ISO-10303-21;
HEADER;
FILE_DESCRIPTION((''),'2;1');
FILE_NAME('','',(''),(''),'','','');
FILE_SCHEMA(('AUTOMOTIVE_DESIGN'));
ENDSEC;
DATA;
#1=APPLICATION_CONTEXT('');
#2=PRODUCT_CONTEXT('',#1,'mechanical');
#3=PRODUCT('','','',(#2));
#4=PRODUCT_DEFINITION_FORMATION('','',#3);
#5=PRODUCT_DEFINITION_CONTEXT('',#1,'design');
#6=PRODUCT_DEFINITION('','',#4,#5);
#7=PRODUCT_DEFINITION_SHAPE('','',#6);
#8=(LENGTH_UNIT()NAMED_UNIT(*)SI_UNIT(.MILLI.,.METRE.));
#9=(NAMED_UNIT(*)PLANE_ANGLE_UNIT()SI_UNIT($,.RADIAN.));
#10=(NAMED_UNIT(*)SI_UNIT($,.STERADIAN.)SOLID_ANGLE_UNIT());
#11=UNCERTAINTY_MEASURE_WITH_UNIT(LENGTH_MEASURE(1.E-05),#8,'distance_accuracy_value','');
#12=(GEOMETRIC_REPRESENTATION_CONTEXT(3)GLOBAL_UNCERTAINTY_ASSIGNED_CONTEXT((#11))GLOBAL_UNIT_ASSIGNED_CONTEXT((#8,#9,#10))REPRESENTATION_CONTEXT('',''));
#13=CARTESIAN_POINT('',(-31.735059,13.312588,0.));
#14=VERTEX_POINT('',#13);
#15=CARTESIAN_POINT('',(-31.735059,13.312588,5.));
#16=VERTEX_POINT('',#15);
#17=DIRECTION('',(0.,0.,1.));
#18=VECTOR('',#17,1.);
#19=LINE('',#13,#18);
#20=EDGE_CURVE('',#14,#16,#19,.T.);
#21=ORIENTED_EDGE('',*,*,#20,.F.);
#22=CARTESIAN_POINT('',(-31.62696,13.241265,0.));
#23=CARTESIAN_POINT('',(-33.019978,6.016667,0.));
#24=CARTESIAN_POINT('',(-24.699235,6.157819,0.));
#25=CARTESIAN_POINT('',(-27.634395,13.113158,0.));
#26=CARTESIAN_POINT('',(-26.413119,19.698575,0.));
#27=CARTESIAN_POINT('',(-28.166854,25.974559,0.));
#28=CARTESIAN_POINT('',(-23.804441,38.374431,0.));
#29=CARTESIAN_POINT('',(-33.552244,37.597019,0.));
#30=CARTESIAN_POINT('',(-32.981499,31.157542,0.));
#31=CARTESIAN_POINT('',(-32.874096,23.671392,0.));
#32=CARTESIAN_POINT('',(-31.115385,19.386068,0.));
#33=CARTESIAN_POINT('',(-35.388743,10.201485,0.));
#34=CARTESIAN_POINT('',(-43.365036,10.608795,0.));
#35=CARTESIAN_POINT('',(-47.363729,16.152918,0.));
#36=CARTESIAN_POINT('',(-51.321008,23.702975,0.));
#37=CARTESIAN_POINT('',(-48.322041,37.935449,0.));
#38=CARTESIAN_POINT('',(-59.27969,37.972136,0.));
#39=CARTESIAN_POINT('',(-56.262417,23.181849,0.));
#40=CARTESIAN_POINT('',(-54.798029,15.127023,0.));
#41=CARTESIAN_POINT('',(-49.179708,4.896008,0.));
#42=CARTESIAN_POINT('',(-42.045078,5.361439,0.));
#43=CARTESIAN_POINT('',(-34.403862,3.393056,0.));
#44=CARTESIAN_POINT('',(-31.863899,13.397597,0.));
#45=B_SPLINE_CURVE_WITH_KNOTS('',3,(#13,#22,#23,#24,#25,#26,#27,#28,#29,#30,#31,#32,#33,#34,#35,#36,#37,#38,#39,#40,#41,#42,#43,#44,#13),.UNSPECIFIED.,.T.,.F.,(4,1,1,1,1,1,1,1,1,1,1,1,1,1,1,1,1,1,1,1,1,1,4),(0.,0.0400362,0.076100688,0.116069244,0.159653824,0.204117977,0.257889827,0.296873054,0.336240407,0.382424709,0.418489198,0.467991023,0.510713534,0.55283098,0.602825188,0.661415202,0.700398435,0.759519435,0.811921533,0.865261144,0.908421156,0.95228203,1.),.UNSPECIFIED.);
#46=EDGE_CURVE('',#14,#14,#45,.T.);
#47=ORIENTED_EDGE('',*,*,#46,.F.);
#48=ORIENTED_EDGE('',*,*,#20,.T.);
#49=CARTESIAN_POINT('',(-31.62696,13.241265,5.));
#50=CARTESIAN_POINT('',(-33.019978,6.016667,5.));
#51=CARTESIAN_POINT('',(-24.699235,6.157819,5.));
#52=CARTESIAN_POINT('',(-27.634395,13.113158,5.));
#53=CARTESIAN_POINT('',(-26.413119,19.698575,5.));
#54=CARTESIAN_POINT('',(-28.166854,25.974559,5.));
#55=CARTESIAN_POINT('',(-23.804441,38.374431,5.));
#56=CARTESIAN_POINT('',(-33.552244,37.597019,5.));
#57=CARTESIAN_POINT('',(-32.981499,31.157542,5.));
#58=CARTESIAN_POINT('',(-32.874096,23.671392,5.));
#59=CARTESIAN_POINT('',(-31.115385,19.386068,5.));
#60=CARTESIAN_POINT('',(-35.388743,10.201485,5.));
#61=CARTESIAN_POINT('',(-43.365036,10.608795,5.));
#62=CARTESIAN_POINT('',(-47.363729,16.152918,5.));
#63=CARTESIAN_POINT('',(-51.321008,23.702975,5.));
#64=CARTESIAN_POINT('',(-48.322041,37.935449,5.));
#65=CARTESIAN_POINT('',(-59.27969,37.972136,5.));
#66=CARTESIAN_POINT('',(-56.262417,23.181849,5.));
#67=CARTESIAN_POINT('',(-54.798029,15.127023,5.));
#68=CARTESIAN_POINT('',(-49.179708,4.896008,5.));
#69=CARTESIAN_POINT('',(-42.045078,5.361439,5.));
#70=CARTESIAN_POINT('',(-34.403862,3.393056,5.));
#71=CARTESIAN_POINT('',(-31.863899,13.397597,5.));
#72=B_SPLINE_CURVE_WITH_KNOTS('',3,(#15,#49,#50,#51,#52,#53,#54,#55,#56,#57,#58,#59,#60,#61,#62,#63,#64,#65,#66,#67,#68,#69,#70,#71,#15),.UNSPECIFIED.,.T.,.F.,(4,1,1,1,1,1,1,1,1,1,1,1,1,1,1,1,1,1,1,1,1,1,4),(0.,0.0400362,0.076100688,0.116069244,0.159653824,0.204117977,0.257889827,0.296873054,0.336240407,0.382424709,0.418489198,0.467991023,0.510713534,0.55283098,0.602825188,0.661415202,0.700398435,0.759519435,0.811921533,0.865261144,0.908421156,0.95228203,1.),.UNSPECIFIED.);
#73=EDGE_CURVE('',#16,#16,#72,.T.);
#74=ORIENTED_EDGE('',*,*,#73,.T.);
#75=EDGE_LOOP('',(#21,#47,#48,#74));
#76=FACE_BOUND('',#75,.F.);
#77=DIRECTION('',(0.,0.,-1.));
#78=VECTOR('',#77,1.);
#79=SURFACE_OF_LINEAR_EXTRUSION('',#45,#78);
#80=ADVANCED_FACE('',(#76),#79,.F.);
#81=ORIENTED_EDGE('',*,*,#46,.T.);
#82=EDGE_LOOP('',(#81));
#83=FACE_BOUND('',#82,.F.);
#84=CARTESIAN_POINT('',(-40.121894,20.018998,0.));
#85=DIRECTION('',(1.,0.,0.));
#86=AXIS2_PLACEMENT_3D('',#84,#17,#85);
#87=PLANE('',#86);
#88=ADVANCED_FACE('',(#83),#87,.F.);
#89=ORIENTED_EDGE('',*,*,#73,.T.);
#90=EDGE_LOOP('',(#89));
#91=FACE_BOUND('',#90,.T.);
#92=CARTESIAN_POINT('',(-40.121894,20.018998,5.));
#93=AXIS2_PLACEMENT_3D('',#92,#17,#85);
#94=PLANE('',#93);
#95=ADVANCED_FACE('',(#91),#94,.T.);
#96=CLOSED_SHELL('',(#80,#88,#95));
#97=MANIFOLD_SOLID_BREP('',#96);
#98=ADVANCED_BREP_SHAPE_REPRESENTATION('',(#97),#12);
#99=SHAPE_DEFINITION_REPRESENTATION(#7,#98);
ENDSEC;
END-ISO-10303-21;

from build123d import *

# Parameters (mm, degrees)
F1_DEPTH = 5


with BuildPart() as f1:
    # F0 (on Top) → F1 (new body)
    with BuildSketch(Plane.XY):
        with BuildLine():
            add(Edge.make_bspline(
                [(-31.7350588739, 13.3125884458), (-31.6269595105, 13.2412645156), (-33.0199775589, 6.0166668532), (-24.6992350065, 6.1578194087), (-27.6343947264, 13.1131575937), (-26.4131187853, 19.6985751883), (-28.1668540995, 25.9745590043), (-23.8044406242, 38.3744306956), (-33.5522444054, 37.5970193667), (-32.9814993463, 31.1575416316), (-32.8740961572, 23.6713917379), (-31.115384592, 19.3860675871), (-35.3887430961, 10.2014853378), (-43.3650361891, 10.6087952997), (-47.3637287173, 16.1529179342), (-51.3210082292, 23.7029747823), (-48.3220413568, 37.9354489941), (-59.2796902556, 37.9721361601), (-56.2624167733, 23.1818492054), (-54.7980293336, 15.1270230506), (-49.1797079628, 4.8960076305), (-42.0450775934, 5.3614389606), (-34.4038616393, 3.3930557478), (-31.8638993282, 13.3975973421), (-31.7350588739, 13.3125884458)],
                knots=[0, 0, 0, 0, 0.0400361999, 0.0761006885, 0.116069244, 0.1596538242, 0.2041179767, 0.2578898271, 0.296873054, 0.3362404068, 0.3824247092, 0.4184891982, 0.4679910234, 0.510713534, 0.5528309801, 0.6028251884, 0.6614152016, 0.7003984352, 0.7595194354, 0.8119215333, 0.8652611443, 0.9084211559, 0.95228203, 1, 1, 1, 1], degree=3))
        make_face()
    extrude(amount=F1_DEPTH)


solid = f1.part
